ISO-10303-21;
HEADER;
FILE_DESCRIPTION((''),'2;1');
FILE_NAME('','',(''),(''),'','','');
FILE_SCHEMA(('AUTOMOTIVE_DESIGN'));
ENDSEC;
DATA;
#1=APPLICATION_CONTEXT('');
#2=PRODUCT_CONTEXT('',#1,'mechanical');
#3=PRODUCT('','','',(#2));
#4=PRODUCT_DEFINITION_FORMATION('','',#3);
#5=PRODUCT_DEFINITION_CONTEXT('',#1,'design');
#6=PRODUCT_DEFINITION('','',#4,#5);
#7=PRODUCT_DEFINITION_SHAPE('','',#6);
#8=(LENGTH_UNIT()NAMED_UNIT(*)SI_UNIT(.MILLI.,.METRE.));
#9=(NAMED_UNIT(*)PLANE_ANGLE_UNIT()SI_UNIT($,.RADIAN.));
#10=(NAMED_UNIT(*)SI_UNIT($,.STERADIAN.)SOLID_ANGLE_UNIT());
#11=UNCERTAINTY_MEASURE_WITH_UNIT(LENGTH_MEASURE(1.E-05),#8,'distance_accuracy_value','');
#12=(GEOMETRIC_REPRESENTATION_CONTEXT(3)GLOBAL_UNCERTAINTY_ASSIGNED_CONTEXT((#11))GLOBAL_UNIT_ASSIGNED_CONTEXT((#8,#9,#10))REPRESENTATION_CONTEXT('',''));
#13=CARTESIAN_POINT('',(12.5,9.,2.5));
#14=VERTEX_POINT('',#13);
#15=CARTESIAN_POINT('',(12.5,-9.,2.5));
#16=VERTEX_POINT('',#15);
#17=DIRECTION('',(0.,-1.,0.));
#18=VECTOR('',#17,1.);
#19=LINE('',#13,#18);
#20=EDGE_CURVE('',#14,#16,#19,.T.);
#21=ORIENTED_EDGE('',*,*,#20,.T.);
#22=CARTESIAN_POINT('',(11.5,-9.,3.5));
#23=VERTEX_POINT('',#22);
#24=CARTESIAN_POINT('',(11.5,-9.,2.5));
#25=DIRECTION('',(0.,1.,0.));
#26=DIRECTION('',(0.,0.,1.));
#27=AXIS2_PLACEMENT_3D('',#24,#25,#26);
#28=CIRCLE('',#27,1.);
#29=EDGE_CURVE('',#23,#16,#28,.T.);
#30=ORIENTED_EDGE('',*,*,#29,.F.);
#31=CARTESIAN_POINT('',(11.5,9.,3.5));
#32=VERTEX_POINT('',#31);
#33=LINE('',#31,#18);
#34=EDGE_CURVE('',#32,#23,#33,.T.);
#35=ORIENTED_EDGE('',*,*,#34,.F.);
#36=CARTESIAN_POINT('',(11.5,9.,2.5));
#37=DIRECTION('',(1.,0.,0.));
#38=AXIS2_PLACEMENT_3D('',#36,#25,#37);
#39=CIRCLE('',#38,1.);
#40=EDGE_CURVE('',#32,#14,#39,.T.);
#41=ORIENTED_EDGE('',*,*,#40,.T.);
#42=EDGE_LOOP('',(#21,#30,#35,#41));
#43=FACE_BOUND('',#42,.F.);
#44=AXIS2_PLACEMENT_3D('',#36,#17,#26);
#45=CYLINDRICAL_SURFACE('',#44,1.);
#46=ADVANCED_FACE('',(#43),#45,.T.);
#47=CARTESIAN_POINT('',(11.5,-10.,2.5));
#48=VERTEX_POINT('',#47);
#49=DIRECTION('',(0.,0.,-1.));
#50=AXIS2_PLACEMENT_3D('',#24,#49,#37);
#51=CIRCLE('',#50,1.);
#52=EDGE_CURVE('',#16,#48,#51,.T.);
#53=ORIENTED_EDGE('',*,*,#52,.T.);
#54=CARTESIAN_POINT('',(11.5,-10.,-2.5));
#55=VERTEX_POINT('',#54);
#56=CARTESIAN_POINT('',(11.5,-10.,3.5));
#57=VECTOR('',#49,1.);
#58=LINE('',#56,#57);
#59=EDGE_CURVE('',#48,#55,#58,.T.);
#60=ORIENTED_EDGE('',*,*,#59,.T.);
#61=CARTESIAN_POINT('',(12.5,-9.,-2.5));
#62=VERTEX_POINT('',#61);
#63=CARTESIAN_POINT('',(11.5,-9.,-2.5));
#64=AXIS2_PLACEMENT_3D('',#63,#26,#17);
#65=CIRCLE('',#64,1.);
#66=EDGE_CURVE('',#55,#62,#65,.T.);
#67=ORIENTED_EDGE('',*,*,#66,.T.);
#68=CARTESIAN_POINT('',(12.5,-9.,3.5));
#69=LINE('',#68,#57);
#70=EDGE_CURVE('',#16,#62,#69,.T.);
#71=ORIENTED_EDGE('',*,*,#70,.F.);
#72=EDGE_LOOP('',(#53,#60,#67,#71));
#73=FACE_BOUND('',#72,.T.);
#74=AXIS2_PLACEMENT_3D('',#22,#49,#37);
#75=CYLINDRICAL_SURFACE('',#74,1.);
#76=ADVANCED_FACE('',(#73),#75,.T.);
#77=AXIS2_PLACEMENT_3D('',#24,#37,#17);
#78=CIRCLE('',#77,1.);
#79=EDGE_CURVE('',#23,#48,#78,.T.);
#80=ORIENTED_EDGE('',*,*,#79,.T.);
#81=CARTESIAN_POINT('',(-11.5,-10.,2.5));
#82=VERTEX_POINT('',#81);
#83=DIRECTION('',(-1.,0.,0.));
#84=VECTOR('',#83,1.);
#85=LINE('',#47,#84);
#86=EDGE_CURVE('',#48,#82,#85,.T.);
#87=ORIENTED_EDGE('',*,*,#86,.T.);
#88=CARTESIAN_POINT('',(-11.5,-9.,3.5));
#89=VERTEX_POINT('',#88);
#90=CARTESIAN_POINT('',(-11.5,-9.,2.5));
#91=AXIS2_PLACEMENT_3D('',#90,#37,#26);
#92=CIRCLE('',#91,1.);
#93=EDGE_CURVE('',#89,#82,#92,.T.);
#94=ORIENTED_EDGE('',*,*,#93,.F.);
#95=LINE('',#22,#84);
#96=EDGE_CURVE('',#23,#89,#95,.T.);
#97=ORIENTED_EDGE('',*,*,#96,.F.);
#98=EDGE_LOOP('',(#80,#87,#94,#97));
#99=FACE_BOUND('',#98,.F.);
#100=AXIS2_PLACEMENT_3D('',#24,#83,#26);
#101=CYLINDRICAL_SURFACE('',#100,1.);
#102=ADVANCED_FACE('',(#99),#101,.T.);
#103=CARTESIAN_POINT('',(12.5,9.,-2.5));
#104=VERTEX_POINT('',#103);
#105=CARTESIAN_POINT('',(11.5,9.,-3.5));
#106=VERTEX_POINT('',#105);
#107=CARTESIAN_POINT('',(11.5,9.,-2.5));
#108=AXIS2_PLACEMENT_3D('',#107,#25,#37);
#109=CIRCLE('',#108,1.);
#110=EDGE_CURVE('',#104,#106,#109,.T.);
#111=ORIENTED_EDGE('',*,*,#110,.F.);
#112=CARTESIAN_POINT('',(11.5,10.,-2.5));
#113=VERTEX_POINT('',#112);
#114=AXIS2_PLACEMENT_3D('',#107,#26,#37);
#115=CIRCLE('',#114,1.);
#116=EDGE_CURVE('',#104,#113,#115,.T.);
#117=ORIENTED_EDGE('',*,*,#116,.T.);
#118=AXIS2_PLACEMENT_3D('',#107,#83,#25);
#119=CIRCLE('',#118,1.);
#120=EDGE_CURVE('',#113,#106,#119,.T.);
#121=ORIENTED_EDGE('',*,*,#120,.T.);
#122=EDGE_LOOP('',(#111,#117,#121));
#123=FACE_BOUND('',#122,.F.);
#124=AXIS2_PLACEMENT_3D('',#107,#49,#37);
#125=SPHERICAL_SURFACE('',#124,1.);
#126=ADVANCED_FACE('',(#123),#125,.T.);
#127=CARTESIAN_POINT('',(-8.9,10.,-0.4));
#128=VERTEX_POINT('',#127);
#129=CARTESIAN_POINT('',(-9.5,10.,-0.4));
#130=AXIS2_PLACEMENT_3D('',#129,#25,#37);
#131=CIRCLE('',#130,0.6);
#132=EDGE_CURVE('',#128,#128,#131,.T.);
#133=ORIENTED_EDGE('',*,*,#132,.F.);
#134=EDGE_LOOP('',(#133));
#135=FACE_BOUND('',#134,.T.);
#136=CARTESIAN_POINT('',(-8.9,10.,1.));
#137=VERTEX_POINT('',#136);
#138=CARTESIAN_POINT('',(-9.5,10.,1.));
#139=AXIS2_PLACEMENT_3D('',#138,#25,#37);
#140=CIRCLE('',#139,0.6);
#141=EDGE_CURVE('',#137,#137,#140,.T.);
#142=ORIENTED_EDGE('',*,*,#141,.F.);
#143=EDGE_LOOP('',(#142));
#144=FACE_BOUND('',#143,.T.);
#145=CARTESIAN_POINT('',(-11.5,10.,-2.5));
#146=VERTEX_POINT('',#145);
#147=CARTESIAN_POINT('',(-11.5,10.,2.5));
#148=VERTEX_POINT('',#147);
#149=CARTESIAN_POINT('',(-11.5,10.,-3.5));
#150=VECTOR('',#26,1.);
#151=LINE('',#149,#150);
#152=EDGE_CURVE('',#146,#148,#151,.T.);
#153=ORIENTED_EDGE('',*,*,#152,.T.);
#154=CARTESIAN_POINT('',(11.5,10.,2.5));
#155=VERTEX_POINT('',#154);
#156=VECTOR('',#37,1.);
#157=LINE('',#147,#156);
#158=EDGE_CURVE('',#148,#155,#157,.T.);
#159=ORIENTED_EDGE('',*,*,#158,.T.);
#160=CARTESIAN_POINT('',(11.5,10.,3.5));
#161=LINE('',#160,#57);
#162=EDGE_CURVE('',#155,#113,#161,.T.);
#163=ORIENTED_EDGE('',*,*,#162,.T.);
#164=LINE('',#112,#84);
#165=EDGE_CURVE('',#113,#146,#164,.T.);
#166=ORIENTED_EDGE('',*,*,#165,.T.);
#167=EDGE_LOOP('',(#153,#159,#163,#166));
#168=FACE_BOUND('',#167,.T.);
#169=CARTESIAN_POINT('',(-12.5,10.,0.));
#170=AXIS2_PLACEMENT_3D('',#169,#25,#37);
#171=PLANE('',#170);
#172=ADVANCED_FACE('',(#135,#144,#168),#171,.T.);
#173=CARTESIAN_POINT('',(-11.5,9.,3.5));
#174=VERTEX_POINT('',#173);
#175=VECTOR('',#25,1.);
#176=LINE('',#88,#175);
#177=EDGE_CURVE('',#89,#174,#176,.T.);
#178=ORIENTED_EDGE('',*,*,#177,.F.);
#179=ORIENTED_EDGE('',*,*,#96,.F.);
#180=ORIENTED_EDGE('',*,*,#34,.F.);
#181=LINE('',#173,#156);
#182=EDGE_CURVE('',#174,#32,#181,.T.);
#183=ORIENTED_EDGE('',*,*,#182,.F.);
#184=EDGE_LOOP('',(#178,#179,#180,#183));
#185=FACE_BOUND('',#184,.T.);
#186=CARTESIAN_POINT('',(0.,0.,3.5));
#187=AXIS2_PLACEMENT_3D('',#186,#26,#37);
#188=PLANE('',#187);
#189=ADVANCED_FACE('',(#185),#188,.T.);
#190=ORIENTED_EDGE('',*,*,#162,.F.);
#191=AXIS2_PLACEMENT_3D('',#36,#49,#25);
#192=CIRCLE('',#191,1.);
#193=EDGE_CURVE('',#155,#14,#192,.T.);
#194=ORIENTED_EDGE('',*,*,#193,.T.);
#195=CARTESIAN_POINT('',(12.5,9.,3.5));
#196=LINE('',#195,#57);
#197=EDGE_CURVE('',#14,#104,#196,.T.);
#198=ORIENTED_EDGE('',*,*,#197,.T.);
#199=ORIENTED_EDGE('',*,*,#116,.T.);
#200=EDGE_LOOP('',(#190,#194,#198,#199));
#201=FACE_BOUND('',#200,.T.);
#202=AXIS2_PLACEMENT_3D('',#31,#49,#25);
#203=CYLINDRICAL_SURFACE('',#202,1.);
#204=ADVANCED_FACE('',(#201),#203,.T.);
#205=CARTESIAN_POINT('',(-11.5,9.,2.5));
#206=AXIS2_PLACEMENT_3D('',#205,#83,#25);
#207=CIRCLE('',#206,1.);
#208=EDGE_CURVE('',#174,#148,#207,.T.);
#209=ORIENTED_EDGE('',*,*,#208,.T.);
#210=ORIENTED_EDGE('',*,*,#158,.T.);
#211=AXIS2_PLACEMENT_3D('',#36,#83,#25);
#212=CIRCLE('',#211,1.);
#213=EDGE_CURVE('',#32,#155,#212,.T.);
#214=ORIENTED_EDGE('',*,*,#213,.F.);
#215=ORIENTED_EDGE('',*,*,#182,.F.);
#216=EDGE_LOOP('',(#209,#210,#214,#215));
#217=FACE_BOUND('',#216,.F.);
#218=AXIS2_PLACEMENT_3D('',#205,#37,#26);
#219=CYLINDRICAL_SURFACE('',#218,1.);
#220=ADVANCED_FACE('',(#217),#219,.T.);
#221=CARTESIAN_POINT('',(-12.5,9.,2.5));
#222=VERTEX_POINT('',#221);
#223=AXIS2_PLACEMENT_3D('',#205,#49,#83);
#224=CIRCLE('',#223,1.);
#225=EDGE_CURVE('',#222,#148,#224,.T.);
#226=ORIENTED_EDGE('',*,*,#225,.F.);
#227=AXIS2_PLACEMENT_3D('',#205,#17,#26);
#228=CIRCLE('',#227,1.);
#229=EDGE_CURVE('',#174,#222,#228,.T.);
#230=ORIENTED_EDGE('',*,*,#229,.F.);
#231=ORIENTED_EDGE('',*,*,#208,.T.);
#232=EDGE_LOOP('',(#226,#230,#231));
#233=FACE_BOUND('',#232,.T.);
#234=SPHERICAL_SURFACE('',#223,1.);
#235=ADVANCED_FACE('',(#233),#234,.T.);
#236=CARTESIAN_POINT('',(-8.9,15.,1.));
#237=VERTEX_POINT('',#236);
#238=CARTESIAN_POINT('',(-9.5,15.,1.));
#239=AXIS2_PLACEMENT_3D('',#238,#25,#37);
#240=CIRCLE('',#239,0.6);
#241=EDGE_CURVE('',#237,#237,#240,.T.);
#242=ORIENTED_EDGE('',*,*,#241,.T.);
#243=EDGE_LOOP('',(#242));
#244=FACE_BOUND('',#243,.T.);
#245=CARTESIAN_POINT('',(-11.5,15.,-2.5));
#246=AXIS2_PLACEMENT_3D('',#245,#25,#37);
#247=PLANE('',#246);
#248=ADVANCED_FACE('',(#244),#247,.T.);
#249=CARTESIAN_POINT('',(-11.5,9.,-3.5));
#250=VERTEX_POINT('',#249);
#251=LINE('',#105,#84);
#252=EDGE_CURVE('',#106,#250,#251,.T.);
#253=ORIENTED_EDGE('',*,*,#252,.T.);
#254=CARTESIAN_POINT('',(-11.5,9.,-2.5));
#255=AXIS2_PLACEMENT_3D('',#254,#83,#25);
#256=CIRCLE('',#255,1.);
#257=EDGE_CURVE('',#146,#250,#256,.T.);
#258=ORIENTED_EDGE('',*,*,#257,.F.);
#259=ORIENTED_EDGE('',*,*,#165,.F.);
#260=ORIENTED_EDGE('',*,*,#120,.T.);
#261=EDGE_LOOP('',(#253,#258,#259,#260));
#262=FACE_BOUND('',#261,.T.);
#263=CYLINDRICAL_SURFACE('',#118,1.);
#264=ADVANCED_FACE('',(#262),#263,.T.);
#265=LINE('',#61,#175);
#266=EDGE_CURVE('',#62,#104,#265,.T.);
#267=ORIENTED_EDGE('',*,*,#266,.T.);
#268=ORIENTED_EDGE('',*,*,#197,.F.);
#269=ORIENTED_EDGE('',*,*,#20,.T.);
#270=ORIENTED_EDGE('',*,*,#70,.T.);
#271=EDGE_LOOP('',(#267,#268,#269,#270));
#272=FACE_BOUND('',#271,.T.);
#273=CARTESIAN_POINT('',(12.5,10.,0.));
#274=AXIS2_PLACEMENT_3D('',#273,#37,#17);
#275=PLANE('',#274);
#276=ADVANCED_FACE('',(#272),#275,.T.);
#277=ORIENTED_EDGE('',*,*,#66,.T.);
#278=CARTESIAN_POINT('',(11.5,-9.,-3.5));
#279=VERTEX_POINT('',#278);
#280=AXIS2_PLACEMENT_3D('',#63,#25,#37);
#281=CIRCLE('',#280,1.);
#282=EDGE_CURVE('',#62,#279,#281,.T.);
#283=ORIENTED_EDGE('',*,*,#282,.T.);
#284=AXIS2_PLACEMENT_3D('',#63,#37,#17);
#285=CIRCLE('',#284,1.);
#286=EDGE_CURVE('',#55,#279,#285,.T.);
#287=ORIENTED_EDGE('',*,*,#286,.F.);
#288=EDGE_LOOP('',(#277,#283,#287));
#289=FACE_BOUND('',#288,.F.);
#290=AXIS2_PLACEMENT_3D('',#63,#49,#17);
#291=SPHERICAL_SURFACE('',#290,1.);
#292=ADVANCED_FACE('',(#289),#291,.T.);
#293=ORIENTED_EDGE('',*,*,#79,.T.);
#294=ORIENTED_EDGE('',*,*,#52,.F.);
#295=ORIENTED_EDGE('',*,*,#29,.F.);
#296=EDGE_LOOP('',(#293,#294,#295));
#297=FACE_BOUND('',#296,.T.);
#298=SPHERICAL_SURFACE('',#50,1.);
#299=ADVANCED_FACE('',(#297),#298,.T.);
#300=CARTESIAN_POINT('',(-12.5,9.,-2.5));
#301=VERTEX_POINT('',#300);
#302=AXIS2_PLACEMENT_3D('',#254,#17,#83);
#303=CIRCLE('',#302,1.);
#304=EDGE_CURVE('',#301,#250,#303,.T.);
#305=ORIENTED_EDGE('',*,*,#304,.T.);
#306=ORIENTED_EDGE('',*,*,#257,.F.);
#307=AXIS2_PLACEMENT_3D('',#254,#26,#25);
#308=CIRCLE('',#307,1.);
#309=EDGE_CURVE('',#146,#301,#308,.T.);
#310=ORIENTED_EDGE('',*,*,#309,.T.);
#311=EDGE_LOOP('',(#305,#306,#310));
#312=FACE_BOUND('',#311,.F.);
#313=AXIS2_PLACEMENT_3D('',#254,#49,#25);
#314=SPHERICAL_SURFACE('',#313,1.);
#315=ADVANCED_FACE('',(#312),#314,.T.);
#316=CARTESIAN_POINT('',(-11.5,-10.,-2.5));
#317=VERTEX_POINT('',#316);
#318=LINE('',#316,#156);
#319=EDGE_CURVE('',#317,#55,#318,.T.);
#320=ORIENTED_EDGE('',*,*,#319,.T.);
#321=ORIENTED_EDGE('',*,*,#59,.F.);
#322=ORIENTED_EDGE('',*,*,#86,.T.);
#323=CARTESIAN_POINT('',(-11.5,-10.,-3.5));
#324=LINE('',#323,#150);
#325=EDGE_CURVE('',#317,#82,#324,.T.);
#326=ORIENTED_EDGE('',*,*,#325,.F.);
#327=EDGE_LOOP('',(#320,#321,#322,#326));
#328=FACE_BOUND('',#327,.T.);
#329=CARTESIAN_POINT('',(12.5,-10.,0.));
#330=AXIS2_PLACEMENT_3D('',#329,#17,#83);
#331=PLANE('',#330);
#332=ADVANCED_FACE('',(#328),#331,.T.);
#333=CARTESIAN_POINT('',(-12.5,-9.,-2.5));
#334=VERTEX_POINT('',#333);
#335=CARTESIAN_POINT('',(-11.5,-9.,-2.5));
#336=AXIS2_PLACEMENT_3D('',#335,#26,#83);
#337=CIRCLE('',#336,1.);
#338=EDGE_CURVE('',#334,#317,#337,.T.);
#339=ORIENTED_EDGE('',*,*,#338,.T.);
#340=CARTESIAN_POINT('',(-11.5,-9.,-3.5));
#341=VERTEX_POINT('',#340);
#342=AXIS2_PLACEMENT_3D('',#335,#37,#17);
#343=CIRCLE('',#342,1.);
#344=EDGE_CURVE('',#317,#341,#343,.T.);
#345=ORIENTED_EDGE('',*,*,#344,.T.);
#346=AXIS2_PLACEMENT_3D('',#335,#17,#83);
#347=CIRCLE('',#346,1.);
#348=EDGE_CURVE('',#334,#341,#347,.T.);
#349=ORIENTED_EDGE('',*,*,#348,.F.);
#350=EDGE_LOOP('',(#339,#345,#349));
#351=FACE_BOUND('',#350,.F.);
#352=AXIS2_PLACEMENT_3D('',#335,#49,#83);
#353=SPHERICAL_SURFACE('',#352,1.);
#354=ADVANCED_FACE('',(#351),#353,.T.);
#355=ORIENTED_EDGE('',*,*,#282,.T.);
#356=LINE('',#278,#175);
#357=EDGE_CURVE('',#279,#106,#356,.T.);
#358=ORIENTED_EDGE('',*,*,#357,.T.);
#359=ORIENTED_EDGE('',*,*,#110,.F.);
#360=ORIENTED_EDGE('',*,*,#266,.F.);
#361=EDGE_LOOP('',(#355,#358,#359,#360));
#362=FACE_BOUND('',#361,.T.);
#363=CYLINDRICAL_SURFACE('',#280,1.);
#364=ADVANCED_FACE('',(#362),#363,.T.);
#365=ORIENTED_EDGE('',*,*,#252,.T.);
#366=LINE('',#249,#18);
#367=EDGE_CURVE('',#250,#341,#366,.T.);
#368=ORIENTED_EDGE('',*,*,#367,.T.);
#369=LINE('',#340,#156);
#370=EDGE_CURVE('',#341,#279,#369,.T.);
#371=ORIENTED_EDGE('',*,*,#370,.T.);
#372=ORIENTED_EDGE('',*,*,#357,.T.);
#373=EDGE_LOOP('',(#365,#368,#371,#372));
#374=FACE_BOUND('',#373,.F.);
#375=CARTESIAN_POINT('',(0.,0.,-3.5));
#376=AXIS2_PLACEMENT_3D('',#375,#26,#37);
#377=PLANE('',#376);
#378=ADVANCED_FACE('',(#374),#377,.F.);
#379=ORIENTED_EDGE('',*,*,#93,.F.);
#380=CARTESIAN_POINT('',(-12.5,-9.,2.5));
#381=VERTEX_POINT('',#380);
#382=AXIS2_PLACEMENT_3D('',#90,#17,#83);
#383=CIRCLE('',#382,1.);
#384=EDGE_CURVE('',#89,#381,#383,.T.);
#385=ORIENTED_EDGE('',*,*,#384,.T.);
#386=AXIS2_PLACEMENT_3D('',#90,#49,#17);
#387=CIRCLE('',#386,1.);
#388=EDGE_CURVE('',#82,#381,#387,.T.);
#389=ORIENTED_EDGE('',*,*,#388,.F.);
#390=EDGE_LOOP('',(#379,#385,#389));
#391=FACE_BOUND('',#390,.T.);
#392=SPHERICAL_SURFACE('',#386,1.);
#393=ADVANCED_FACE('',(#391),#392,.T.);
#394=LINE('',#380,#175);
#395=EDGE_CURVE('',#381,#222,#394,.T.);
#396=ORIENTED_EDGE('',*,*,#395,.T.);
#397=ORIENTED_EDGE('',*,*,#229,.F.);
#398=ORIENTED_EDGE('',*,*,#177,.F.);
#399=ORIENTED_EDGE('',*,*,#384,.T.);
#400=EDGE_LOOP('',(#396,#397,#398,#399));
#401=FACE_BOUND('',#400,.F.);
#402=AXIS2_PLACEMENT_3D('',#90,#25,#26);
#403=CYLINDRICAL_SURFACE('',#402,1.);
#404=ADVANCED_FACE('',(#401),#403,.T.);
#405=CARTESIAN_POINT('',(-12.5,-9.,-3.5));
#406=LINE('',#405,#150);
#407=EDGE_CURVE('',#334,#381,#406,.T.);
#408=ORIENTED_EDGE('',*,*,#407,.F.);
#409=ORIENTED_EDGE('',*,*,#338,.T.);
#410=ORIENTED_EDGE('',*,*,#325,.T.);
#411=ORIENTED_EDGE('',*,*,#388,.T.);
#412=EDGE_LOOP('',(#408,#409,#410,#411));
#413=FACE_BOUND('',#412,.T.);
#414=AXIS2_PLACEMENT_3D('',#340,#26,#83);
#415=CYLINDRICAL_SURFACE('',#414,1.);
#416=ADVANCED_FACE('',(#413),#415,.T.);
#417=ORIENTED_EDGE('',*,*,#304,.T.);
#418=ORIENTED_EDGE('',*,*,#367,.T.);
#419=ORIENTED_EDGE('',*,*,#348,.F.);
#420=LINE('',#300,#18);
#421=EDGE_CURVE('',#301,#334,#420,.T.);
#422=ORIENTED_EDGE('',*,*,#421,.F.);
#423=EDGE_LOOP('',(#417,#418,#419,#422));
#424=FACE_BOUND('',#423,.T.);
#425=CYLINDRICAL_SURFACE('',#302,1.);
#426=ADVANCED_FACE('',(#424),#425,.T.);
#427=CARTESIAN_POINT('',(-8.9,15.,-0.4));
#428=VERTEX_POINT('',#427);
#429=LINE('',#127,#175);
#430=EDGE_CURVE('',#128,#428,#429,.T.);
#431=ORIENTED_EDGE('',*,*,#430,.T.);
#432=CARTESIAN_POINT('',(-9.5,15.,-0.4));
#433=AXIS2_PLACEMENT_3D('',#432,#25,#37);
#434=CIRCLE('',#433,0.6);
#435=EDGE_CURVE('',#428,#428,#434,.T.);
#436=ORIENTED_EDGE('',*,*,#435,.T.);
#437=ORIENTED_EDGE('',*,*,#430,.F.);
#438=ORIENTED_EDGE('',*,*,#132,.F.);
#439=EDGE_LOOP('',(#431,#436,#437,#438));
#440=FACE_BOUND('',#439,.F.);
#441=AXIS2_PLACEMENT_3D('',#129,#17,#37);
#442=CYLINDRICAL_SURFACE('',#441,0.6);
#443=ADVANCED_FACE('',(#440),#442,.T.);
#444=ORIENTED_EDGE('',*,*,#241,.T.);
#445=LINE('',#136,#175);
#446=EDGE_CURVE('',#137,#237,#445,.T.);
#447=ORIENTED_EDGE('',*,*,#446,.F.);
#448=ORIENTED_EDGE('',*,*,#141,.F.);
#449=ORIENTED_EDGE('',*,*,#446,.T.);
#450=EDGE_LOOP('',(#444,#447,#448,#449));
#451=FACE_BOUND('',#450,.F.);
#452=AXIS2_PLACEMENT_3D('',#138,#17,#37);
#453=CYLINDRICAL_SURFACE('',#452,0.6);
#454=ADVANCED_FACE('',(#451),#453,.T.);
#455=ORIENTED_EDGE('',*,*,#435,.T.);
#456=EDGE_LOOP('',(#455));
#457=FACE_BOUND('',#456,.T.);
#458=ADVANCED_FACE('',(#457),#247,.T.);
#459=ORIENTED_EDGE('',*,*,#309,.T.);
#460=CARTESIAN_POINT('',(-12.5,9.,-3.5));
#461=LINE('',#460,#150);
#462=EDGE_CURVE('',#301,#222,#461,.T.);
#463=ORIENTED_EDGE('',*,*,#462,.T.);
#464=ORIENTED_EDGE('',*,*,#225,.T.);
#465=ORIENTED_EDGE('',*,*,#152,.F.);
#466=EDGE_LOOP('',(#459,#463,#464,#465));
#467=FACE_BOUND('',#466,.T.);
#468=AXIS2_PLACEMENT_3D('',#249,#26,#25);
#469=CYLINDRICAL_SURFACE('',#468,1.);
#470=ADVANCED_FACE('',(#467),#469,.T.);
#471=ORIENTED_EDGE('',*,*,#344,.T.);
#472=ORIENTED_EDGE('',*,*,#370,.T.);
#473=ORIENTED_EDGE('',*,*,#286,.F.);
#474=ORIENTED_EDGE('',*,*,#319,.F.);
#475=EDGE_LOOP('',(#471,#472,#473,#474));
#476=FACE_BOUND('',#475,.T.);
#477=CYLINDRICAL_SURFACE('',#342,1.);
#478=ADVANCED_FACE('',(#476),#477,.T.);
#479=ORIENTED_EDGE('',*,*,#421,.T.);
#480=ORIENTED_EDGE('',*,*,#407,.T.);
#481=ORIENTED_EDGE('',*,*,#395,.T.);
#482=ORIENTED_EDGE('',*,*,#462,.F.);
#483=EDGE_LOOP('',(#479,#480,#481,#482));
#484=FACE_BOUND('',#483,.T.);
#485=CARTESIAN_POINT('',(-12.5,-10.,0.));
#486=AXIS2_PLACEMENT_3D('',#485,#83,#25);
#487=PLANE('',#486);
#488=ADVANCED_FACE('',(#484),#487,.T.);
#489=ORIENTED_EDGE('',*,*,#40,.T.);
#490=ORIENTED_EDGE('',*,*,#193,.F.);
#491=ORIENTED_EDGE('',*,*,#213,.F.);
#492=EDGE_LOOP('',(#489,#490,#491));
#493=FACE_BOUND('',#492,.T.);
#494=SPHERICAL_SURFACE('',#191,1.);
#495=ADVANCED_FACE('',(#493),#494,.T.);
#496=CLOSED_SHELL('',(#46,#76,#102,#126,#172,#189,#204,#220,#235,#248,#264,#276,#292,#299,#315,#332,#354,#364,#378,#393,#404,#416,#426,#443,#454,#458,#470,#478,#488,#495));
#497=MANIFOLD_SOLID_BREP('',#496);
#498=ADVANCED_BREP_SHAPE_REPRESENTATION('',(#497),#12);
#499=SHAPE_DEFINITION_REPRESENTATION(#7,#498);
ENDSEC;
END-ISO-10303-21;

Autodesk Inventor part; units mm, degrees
ref_plane "YZ Plane" through (0, 0, 0) normal (1, 0, 0) x (0, 1, 0)
ref_plane "XZ Plane" through (0, 0, 0) normal (0, 1, 0) x (-1, 0, 0)
ref_plane "XY Plane" through (0, 0, 0) normal (0, 0, 1) x (1, 0, 0)
sketch "Esboço1" plane through (0, 0, 0) normal (0, 0, 1) x (1, 0, 0)
  line L0 (-12.5, 10) -> (12.5, 10)
  line L1 (12.5, 10) -> (12.5, -10)
  line L2 (12.5, -10) -> (-12.5, -10)
  line L3 (-12.5, -10) -> (-12.5, 10)
  line L4 (-12.5, 10) -> (12.5, -10) construction
  line L5 (12.5, 10) -> (-12.5, -10) construction
  point P0 (0, 0)
  dimension "d1" = 20
  dimension "d2" = 25
extrude "Extrusão1" add sketch "Esboço1" along normal mid plane 7
fillet "Arredondamento1" radius 1 4 edges at (12.5, -10, 0) (-12.5, -10, 0) (12.5, 10, 0) (-12.5, 10, 0)
fillet "Arredondamento2" radius 1 16 edges at (12.2071, 9.7071, 3.5) (0, 10, 3.5) (-12.2071, 9.7071, 3.5) (-12.5, 0, 3.5) (-12.2071, -9.7071, 3.5) (0, -10, 3.5) (12.2071, -9.7071, 3.5) (12.5, 0, 3.5) (-12.2071, 9.7071, -3.5) (0, 10, -3.5) (12.2071, 9.7071, -3.5) (12.5, 0, -3.5) (12.2071, -9.7071, -3.5) (0, -10, -3.5) (-12.2071, -9.7071, -3.5) (-12.5, 0, -3.5)
sketch "Esboço6" plane through (-11.5, 10, -2.5) normal (0, 1, 0) x (1, 0, 0)
  circle A0 centre (2, -2.1) radius 0.6
  circle A1 centre (2, -3.5) radius 0.6
  line L0 (0, 0) -> (23, 0) projected
  line L1 (-1, -5) -> (0, -5) projected
  line L2 (0, 0) -> (0, -5) construction
  line L3 (23, -5) -> (0, -5) projected
  point P0 (11.5, -2.5)
  dimension "d24" = 1.2
  dimension "d25" = 2
  dimension "d26" = 2
  dimension "d27" = 1.5
  dimension "d28" = 1.5
  dimension "d29" = 0.2
extrude "Extrusão5" add sketch "Esboço6" along normal blind 5
properties part number "Bateria"
